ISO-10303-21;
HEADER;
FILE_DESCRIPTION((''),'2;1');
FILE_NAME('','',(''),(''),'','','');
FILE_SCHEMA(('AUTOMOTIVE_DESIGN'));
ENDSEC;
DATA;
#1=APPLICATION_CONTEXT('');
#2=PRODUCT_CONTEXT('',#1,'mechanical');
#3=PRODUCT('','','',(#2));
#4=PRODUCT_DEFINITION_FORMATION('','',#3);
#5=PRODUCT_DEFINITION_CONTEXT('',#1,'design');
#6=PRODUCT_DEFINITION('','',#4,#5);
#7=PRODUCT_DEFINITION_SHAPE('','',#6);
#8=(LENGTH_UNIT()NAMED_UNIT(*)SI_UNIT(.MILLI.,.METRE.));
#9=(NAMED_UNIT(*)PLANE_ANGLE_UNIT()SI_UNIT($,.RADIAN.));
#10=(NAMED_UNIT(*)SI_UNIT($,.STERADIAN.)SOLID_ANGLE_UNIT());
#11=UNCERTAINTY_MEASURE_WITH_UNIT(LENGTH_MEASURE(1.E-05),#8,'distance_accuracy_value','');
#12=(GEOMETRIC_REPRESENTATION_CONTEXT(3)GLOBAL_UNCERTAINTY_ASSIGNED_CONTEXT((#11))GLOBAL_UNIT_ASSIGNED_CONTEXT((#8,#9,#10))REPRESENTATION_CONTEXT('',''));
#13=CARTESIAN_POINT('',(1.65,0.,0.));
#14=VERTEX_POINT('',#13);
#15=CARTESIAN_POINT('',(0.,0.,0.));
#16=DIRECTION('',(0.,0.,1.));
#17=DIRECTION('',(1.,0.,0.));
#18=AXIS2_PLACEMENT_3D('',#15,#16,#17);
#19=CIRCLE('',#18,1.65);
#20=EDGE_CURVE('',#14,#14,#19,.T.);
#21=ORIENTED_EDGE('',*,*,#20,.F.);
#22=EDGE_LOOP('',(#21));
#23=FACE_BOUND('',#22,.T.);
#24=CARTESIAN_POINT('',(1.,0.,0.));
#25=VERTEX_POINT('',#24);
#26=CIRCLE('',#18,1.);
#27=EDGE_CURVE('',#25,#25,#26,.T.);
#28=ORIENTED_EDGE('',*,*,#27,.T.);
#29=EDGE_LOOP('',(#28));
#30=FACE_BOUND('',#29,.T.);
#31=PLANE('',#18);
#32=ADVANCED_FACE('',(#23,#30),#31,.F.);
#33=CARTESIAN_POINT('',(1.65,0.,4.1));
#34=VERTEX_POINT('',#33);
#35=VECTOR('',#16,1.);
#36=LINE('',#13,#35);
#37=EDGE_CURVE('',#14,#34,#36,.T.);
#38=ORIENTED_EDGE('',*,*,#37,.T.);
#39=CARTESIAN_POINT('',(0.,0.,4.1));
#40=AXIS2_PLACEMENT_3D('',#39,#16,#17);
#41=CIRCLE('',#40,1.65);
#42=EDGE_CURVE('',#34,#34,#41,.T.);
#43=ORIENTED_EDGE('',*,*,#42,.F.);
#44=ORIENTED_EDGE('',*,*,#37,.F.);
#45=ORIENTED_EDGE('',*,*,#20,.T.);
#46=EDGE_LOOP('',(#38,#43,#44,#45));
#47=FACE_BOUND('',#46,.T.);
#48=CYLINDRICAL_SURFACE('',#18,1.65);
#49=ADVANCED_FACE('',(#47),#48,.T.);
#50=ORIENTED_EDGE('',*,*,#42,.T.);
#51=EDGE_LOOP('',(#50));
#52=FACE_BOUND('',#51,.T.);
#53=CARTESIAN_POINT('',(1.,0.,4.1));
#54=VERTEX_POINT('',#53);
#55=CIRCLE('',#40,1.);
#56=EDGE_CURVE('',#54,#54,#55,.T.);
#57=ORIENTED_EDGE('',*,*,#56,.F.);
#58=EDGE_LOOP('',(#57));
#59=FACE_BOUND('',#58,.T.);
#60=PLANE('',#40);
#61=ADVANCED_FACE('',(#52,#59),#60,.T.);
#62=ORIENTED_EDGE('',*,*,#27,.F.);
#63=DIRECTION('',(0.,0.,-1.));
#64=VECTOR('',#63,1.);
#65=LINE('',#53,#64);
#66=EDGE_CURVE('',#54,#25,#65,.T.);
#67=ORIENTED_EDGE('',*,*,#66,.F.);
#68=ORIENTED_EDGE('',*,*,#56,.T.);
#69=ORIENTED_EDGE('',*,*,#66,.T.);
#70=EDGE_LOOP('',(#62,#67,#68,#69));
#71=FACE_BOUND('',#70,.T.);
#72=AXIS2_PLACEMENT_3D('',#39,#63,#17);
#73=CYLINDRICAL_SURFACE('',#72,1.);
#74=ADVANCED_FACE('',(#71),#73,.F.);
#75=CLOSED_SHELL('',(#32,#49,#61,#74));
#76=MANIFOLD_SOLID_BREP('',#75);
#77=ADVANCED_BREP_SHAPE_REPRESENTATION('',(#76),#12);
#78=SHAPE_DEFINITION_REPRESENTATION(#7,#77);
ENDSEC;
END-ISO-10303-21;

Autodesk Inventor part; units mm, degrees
ref_plane "YZ Plane" through (0, 0, 0) normal (1, 0, 0) x (0, 1, 0)
ref_plane "XZ Plane" through (0, 0, 0) normal (0, 1, 0) x (-1, 0, 0)
ref_plane "XY Plane" through (0, 0, 0) normal (0, 0, 1) x (1, 0, 0)
sketch "スケッチ1" plane through (0, 0, 0) normal (0, 1, 0) x (-1, 0, 0)
  line L0 (-1, 0) -> (-1.65, 0)
  line L1 (-1.65, 0) -> (-1.65, 4.1)
  line L2 (-1.65, 4.1) -> (-1, 4.1)
  line L3 (-1, 4.1) -> (-1, 0)
  line L4 (0, 0) -> (0, 4.1) construction
  dimension "d0" = 3.3
  dimension "d1" = 2
  dimension "d2" = 4.1
revolve "回転1" add sketch "スケッチ1" angle 360 about axis through (0, 0, 0) along (0, 0, 1)
thread "ねじ1" size "M2x0.4" class "6H" standard "ANSI Metric M Profile" full length
properties part number "BRM2-4.1" material "真鍮、ソフト イエロー"
